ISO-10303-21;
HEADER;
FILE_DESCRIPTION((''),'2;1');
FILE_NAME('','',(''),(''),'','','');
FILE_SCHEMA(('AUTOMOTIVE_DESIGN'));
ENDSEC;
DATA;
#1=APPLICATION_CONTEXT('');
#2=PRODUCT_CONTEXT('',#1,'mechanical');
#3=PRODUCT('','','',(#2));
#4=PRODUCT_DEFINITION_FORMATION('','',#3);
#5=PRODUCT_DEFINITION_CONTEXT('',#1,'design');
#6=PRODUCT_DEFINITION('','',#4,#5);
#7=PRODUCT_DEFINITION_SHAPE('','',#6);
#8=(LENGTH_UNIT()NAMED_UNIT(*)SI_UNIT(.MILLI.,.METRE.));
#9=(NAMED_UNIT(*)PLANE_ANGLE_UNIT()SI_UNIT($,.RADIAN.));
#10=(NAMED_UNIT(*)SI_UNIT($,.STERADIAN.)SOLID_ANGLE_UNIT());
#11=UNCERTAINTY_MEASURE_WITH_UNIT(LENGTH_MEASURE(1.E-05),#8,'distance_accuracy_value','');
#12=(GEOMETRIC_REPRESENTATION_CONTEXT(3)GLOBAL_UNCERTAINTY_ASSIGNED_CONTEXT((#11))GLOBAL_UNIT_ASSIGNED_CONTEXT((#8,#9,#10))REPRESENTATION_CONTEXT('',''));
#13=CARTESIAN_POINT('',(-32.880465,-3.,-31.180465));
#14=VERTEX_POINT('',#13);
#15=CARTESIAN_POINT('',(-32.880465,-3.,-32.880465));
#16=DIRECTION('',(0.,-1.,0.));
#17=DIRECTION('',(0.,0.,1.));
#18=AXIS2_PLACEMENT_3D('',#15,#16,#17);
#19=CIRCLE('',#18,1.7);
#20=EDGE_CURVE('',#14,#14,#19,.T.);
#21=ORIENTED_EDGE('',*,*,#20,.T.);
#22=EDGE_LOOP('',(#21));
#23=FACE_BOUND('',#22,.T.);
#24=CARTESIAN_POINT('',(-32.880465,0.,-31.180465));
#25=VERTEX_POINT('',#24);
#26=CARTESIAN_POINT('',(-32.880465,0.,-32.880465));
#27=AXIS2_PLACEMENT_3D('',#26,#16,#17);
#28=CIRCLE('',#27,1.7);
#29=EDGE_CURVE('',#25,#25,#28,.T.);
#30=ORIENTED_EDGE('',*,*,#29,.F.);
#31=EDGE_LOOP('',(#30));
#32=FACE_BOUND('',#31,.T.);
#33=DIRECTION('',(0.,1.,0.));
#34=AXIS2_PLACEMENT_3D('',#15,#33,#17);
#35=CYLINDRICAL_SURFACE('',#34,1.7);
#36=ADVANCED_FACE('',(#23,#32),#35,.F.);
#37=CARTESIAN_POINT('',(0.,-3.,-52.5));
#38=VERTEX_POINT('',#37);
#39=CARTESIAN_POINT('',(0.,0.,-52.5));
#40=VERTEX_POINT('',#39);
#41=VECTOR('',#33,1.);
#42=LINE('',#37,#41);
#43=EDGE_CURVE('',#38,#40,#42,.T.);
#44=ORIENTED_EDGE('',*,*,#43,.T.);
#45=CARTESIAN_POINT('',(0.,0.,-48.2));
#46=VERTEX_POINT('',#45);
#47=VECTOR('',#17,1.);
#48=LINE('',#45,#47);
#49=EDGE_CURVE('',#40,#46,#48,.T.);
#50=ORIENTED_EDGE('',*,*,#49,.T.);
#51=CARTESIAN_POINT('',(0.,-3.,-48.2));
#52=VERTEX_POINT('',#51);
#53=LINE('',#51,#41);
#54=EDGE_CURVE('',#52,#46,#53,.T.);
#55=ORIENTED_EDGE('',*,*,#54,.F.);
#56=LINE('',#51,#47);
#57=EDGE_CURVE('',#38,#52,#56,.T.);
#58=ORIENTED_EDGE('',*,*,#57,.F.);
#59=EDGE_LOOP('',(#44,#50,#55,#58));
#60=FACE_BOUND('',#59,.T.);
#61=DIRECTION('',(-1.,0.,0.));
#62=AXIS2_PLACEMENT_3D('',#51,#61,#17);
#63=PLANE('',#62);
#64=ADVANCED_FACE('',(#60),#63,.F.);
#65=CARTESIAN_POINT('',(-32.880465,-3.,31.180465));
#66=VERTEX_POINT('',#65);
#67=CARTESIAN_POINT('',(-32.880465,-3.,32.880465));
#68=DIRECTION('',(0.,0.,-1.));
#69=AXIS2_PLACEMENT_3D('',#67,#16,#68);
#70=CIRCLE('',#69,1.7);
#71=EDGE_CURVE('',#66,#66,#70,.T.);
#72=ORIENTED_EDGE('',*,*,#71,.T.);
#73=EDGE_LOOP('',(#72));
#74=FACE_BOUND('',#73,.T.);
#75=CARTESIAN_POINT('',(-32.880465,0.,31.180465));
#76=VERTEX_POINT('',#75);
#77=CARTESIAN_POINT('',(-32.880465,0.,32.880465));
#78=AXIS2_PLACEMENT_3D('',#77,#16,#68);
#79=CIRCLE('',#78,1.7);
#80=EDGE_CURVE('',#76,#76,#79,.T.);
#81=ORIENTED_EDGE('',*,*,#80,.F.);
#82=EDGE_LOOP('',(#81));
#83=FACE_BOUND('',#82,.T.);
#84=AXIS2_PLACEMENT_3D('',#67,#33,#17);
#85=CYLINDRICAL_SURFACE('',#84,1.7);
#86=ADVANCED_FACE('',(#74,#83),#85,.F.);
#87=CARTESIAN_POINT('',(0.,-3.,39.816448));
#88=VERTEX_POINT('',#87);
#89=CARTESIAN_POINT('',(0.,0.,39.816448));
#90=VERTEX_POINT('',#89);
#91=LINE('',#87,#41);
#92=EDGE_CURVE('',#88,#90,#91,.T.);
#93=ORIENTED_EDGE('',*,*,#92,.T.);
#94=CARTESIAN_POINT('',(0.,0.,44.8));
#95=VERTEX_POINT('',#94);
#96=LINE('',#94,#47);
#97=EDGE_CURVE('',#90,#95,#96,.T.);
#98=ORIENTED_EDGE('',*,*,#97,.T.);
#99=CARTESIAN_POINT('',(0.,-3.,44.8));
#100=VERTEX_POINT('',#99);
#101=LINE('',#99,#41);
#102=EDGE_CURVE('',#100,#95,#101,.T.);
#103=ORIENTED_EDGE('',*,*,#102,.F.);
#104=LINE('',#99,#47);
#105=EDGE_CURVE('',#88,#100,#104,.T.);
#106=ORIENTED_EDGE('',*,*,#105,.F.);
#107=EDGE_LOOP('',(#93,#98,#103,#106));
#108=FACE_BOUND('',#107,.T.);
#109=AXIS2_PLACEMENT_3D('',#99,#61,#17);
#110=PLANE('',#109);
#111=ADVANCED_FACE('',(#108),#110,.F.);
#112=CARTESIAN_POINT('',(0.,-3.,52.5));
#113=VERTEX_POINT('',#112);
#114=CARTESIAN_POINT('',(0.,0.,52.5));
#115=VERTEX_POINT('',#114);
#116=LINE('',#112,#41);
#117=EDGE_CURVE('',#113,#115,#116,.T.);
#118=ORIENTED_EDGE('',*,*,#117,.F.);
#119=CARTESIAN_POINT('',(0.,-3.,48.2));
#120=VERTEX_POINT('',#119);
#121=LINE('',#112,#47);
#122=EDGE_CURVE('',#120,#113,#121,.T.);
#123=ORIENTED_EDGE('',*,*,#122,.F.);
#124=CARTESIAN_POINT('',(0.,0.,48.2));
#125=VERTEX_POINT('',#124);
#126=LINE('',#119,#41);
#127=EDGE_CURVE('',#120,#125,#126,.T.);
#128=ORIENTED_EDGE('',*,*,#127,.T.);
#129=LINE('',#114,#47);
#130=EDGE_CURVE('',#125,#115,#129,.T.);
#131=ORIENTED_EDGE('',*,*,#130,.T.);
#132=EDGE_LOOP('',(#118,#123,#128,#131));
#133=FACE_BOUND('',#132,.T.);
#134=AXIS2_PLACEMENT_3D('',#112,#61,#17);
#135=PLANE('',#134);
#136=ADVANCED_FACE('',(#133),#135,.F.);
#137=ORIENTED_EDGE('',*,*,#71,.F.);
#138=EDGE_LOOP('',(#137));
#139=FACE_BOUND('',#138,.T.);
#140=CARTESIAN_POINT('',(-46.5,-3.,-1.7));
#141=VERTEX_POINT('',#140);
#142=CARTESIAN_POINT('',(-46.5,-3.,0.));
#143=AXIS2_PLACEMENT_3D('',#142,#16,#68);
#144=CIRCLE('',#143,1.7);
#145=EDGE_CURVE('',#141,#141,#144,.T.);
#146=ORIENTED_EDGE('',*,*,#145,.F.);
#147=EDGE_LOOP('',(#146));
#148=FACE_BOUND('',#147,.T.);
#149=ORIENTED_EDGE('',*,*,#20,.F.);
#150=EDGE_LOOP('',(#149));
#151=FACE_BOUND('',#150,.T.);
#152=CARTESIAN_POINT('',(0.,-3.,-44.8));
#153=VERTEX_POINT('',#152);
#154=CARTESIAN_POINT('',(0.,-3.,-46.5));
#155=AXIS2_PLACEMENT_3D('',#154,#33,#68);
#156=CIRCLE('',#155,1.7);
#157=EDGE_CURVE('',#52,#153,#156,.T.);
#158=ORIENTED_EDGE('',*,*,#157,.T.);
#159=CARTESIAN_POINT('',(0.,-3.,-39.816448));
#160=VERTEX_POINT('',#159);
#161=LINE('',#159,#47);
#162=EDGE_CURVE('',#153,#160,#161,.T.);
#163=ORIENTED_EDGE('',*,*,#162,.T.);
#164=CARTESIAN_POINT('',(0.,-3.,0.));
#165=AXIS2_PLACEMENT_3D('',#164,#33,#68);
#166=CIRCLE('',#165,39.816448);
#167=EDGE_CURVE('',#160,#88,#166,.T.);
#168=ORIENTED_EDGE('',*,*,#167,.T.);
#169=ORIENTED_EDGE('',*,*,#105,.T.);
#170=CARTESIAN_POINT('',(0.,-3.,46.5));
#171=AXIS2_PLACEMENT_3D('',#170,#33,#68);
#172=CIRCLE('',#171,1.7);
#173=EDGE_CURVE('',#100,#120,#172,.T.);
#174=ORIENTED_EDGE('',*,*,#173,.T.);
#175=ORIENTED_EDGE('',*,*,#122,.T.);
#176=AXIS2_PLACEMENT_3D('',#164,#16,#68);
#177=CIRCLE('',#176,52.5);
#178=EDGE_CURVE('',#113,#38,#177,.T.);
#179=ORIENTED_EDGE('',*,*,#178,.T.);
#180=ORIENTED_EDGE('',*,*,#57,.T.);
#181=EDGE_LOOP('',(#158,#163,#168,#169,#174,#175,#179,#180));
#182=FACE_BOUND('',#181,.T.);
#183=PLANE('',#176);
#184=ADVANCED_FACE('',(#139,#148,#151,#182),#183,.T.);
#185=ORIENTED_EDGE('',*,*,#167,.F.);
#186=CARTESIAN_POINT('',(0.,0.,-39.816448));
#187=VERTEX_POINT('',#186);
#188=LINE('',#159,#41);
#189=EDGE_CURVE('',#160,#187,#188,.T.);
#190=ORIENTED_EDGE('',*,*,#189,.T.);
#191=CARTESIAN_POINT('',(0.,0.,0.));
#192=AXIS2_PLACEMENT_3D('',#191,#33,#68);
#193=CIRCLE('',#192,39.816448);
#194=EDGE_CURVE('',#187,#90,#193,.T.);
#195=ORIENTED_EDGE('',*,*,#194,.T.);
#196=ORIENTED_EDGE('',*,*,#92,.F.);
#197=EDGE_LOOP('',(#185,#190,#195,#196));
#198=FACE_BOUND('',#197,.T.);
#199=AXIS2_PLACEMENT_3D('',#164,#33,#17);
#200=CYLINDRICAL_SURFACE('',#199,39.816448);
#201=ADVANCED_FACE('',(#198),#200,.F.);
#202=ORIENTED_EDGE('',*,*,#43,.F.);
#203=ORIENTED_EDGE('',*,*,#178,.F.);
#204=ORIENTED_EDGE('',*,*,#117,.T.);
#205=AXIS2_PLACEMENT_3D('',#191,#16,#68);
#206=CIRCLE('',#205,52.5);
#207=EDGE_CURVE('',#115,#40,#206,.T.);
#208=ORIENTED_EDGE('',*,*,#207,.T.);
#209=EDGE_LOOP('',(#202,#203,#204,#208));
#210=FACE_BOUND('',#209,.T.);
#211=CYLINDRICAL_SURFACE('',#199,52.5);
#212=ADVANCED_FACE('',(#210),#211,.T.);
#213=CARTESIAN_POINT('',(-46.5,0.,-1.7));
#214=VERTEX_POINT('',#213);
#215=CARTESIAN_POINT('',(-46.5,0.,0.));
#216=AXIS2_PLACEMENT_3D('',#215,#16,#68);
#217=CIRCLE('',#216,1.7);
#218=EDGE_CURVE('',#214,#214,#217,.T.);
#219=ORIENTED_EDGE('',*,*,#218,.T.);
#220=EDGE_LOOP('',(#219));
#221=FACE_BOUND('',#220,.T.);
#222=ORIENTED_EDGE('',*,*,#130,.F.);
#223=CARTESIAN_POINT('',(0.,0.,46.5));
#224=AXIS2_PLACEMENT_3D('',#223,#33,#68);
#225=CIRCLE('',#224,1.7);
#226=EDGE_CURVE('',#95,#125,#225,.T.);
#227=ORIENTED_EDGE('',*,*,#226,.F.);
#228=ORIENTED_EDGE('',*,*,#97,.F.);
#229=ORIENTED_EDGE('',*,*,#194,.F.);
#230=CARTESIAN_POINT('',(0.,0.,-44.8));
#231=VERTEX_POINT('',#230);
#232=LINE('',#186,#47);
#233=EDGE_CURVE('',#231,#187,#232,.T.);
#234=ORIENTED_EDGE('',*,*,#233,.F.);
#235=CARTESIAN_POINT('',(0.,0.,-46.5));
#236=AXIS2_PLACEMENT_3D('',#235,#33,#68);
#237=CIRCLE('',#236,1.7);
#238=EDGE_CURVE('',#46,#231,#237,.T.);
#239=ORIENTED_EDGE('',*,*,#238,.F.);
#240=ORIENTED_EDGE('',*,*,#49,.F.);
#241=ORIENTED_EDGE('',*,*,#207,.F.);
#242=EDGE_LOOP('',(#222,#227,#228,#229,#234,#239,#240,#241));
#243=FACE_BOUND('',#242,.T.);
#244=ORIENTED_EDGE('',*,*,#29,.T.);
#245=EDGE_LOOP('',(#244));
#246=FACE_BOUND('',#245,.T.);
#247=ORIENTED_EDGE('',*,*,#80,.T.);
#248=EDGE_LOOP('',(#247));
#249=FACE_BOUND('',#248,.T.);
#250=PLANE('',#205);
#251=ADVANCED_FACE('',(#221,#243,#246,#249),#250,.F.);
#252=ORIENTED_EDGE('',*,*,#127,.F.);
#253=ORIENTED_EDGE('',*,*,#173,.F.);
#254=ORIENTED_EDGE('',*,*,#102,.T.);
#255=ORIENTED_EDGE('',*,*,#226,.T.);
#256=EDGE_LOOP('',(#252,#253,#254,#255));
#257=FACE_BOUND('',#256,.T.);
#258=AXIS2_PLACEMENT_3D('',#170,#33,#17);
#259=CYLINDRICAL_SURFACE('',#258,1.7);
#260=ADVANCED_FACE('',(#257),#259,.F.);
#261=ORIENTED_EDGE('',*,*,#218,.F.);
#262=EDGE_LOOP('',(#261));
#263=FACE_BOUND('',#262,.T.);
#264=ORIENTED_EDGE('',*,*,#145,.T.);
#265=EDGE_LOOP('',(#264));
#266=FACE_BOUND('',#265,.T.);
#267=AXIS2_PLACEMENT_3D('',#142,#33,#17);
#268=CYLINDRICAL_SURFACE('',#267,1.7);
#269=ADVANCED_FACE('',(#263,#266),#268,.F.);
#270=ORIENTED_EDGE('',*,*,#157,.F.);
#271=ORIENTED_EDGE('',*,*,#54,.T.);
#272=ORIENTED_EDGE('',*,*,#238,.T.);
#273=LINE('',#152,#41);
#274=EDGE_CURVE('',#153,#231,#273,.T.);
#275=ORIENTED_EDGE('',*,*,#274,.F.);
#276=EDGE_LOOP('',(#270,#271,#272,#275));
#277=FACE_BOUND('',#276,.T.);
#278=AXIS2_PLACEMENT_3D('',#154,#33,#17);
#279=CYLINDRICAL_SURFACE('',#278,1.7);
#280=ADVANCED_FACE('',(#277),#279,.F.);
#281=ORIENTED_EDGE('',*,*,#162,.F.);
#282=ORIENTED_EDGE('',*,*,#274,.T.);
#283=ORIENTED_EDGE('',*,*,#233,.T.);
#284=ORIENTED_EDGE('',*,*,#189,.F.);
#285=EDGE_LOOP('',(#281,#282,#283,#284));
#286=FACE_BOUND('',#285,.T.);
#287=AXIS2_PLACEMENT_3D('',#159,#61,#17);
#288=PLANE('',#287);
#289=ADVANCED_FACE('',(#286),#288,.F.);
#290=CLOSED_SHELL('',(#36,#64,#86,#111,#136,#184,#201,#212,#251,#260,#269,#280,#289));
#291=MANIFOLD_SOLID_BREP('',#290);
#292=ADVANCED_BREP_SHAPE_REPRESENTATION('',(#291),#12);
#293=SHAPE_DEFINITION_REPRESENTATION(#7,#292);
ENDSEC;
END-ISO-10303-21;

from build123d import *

# Parameters (mm, degrees)
SKETCH1_R           = 1.7
BOSS_EXTRUDE1_DEPTH = 3


with BuildPart() as part:
    # Sketch1 → Boss-Extrude1 (new body)
    with BuildSketch(Plane.XZ):
        with BuildLine():
            Line((0, 52.5), (0, 48.2))
            ThreePointArc((0, 48.2), (-1.7, 46.5), (0, 44.8))
            Line((0, 44.8), (0, 39.816447761))
            ThreePointArc((0, 39.816447761), (-39.816447761, 0), (0, -39.816447761))
            Line((0, -39.816447761), (0, -44.8))
            ThreePointArc((0, -44.8), (-1.7, -46.5), (0, -48.2))
            Line((0, -48.2), (0, -52.5))
            ThreePointArc((0, -52.5), (-52.5, 0), (0, 52.5))
        make_face()
        with Locations(Location((-46.5, 0, 0), (0, 0, 270))):
            Circle(SKETCH1_R, mode=Mode.SUBTRACT)
        with Locations(Location((-32.880465325, 32.880465325, 0), (0, 0, 270))):
            Circle(SKETCH1_R, mode=Mode.SUBTRACT)
        with Locations(Location((-32.880465325, -32.880465325, 0), (0, 0, 90))):
            Circle(SKETCH1_R, mode=Mode.SUBTRACT)
    extrude(amount=BOSS_EXTRUDE1_DEPTH)


solid = part.part
